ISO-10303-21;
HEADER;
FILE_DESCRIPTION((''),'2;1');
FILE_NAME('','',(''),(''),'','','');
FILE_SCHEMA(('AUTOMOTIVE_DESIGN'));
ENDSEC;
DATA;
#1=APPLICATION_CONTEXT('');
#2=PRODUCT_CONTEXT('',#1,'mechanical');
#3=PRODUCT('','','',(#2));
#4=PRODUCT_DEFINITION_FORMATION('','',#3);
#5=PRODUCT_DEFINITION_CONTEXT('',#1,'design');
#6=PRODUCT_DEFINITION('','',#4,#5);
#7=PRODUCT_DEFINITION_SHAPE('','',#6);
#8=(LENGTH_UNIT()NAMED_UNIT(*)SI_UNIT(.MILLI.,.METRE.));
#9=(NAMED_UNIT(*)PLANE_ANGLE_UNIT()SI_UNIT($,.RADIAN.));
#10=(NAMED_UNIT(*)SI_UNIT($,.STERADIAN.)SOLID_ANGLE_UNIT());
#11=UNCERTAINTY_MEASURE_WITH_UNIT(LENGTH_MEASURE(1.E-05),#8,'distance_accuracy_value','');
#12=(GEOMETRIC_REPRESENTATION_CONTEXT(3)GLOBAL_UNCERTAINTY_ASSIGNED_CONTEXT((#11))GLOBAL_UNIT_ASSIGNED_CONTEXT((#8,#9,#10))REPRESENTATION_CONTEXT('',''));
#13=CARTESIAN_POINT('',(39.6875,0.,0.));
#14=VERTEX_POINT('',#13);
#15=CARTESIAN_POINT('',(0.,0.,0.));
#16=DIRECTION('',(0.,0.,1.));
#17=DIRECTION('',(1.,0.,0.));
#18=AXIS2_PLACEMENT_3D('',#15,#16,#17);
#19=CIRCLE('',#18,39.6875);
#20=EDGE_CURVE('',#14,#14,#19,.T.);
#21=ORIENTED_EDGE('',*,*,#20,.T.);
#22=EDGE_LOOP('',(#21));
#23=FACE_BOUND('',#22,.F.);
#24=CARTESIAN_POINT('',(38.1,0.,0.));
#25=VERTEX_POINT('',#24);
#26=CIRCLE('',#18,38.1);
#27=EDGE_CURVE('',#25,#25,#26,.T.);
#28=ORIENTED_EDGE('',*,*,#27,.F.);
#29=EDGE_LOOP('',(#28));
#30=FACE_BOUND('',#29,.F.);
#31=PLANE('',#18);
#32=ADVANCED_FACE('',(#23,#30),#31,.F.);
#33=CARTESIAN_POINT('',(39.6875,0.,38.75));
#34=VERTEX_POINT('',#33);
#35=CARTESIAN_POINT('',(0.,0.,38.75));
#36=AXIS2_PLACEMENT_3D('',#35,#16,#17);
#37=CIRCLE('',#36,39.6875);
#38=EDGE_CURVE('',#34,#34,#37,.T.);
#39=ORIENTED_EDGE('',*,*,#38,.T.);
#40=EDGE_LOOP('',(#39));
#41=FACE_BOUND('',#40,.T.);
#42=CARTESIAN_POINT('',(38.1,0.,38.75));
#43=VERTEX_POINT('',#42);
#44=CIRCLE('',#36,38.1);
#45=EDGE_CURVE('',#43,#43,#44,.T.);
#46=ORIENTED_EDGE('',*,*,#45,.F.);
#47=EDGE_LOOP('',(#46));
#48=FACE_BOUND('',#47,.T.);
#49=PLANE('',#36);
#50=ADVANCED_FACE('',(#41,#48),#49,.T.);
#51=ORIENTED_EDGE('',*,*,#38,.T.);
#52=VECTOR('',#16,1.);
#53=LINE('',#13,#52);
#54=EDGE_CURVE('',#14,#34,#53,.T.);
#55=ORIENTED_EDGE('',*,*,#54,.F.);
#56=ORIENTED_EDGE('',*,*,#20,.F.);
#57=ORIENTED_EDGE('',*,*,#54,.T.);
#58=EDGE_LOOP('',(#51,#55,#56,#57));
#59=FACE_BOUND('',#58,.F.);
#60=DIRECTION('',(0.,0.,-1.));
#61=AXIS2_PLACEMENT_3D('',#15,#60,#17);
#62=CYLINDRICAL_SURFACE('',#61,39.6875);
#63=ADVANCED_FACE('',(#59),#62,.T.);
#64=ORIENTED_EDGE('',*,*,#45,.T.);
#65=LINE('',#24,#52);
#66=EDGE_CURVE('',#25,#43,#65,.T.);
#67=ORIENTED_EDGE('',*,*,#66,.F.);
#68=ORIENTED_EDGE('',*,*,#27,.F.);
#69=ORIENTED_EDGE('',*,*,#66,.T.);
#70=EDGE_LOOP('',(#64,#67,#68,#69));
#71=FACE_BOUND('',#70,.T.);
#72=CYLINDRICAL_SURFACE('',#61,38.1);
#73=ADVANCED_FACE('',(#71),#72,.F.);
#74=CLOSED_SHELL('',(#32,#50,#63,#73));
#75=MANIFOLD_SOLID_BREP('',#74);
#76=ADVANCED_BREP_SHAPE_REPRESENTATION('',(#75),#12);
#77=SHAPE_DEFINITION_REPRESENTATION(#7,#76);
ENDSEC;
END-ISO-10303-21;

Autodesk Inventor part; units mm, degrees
ref_plane "YZ Plane" through (0, 0, 0) normal (1, 0, 0) x (0, 1, 0)
ref_plane "XZ Plane" through (0, 0, 0) normal (0, 1, 0) x (-1, 0, 0)
ref_plane "XY Plane" through (0, 0, 0) normal (0, 0, 1) x (1, 0, 0)
sketch "Sketch1" plane through (0, 0, 0) normal (0, 0, 1) x (1, 0, 0)
  circle A0 centre (0, 0) radius 38.1
  circle A1 centre (0, 0) radius 39.6875
  dimension "d0" = 76.2
  dimension "d1" = 79.375
extrude "Extrusion1" add sketch "Sketch1" along normal blind 38.75
properties part number "pipe_30mm"
